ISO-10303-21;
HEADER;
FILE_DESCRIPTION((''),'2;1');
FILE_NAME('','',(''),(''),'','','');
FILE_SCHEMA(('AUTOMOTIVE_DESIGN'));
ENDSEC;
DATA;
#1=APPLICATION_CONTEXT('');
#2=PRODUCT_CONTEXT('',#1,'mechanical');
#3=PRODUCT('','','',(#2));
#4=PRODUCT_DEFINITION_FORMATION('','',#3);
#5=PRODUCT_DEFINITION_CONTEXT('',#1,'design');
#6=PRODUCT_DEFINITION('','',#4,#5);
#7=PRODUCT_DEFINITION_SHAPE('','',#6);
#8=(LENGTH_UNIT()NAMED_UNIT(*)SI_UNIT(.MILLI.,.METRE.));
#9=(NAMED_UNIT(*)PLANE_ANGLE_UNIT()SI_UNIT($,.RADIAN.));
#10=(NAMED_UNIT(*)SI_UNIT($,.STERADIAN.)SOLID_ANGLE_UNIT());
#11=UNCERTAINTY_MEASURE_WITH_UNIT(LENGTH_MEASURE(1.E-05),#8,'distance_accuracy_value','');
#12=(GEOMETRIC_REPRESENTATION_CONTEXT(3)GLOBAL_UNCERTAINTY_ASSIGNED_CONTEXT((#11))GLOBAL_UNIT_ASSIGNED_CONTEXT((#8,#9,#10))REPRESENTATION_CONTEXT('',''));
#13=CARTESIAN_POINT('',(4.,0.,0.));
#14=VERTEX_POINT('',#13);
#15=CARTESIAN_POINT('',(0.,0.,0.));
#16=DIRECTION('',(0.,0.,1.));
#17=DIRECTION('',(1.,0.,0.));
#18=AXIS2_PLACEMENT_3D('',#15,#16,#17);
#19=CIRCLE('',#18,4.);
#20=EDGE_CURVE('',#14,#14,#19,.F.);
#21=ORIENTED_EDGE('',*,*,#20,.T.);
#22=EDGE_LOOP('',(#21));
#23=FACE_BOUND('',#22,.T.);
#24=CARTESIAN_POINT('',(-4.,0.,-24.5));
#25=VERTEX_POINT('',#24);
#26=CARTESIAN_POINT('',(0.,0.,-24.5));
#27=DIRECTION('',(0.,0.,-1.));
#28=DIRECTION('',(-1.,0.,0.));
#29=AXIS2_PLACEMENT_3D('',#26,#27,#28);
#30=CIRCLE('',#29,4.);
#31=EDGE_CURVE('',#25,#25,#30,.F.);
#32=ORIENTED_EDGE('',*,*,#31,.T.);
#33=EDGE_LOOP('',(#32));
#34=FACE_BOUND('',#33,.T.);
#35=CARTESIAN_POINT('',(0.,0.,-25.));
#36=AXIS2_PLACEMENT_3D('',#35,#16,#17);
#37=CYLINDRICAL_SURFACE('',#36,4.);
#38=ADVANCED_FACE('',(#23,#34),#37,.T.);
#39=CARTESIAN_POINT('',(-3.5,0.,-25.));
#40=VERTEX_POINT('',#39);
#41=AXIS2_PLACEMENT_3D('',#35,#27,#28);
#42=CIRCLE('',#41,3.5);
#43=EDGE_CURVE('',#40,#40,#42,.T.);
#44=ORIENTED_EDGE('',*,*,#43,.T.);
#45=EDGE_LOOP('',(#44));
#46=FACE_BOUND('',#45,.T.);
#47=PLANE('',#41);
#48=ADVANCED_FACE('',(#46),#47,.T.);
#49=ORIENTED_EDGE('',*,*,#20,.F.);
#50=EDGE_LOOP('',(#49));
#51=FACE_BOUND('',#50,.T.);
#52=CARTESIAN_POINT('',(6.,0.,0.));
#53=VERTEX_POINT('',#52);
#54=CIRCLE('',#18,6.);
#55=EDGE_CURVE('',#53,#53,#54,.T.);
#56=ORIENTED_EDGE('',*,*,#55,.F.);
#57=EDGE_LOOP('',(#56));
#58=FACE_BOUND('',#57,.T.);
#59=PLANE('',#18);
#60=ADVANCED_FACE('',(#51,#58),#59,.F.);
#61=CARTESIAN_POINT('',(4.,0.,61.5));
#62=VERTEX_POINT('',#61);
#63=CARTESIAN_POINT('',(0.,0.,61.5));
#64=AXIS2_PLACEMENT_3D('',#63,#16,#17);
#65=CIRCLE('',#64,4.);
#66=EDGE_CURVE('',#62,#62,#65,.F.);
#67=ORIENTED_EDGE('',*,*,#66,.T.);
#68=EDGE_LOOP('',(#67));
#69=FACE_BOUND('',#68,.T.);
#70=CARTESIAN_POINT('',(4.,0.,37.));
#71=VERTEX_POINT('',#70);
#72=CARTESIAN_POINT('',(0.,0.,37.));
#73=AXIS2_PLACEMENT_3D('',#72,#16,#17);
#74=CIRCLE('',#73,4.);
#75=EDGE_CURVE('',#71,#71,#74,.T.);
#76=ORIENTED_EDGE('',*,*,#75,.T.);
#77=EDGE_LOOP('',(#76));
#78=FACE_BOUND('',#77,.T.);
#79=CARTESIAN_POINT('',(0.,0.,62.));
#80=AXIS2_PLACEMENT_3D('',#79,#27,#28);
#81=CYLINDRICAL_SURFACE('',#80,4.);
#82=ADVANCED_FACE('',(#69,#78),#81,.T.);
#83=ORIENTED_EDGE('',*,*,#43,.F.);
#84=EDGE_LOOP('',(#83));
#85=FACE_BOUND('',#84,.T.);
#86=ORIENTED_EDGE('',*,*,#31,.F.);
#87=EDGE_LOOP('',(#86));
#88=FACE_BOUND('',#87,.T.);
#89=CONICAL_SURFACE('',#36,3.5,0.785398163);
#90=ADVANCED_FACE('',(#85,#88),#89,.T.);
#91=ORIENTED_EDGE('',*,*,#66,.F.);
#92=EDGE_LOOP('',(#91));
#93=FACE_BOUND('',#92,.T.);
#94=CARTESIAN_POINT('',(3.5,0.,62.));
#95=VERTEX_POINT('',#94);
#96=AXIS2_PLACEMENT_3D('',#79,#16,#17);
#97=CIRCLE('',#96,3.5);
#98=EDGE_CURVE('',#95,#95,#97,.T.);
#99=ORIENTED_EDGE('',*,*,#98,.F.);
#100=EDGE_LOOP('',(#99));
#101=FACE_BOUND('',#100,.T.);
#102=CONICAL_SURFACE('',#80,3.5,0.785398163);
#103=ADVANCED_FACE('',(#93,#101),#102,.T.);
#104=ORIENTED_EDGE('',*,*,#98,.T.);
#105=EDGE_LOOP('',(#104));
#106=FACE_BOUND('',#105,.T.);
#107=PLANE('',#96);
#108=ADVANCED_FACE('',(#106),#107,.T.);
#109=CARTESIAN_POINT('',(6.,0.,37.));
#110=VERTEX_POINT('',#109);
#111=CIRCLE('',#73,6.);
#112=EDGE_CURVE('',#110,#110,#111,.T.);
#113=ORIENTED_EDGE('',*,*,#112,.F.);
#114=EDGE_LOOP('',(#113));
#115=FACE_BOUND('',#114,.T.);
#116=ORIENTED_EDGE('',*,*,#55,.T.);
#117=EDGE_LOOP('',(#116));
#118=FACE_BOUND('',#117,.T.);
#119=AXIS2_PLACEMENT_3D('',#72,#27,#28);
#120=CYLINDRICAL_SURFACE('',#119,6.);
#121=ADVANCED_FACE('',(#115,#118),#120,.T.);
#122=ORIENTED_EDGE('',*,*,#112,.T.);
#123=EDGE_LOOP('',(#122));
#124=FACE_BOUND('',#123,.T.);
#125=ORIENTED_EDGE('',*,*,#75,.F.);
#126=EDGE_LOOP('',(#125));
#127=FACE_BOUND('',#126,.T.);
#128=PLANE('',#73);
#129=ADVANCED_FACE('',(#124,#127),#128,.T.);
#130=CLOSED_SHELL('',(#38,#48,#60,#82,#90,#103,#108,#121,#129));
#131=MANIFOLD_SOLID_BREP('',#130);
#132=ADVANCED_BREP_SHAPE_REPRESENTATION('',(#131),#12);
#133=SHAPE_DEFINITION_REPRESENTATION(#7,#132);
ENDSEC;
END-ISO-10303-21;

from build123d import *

# Parameters (mm, degrees)
SCHIZZO1_R        = 6
ESTRUSIONE1_DEPTH = 37
SCHIZZO3_R        = 4
ESTRUSIONE2_DEPTH = 25
ESTRUSIONE3_START = 25
SCHIZZO4_R        = 4
ESTRUSIONE3_DEPTH = 25
SMUSSO1_SIZE      = 0.5


with BuildPart() as part:
    # Schizzo1 → Estrusione1 (new body)
    with BuildSketch(Plane.XY):
        Circle(SCHIZZO1_R)
    extrude(amount=ESTRUSIONE1_DEPTH)

    # Schizzo3 → Estrusione2 (add)
    with BuildSketch(Plane.XY.offset(37)):
        Circle(SCHIZZO3_R)
    extrude(amount=ESTRUSIONE2_DEPTH)

    # Schizzo4 → Estrusione3 (add)
    with BuildSketch(Plane(origin=(0, 0, 0), x_dir=(-1, 0, 0), z_dir=(0, 0, -1)).offset(ESTRUSIONE3_START)):
        with Locations(Location((0, 0, 0), (0, 0, 180))):
            Circle(SCHIZZO4_R)
    extrude(amount=-ESTRUSIONE3_DEPTH)

    # Smusso1
    smusso1_edges = [part.edges().sort_by_distance(p)[0] for p in [
        (-4, 0, -25),
        (-4, 0, 62),
    ]]
    chamfer(smusso1_edges, length=SMUSSO1_SIZE)


solid = part.part
